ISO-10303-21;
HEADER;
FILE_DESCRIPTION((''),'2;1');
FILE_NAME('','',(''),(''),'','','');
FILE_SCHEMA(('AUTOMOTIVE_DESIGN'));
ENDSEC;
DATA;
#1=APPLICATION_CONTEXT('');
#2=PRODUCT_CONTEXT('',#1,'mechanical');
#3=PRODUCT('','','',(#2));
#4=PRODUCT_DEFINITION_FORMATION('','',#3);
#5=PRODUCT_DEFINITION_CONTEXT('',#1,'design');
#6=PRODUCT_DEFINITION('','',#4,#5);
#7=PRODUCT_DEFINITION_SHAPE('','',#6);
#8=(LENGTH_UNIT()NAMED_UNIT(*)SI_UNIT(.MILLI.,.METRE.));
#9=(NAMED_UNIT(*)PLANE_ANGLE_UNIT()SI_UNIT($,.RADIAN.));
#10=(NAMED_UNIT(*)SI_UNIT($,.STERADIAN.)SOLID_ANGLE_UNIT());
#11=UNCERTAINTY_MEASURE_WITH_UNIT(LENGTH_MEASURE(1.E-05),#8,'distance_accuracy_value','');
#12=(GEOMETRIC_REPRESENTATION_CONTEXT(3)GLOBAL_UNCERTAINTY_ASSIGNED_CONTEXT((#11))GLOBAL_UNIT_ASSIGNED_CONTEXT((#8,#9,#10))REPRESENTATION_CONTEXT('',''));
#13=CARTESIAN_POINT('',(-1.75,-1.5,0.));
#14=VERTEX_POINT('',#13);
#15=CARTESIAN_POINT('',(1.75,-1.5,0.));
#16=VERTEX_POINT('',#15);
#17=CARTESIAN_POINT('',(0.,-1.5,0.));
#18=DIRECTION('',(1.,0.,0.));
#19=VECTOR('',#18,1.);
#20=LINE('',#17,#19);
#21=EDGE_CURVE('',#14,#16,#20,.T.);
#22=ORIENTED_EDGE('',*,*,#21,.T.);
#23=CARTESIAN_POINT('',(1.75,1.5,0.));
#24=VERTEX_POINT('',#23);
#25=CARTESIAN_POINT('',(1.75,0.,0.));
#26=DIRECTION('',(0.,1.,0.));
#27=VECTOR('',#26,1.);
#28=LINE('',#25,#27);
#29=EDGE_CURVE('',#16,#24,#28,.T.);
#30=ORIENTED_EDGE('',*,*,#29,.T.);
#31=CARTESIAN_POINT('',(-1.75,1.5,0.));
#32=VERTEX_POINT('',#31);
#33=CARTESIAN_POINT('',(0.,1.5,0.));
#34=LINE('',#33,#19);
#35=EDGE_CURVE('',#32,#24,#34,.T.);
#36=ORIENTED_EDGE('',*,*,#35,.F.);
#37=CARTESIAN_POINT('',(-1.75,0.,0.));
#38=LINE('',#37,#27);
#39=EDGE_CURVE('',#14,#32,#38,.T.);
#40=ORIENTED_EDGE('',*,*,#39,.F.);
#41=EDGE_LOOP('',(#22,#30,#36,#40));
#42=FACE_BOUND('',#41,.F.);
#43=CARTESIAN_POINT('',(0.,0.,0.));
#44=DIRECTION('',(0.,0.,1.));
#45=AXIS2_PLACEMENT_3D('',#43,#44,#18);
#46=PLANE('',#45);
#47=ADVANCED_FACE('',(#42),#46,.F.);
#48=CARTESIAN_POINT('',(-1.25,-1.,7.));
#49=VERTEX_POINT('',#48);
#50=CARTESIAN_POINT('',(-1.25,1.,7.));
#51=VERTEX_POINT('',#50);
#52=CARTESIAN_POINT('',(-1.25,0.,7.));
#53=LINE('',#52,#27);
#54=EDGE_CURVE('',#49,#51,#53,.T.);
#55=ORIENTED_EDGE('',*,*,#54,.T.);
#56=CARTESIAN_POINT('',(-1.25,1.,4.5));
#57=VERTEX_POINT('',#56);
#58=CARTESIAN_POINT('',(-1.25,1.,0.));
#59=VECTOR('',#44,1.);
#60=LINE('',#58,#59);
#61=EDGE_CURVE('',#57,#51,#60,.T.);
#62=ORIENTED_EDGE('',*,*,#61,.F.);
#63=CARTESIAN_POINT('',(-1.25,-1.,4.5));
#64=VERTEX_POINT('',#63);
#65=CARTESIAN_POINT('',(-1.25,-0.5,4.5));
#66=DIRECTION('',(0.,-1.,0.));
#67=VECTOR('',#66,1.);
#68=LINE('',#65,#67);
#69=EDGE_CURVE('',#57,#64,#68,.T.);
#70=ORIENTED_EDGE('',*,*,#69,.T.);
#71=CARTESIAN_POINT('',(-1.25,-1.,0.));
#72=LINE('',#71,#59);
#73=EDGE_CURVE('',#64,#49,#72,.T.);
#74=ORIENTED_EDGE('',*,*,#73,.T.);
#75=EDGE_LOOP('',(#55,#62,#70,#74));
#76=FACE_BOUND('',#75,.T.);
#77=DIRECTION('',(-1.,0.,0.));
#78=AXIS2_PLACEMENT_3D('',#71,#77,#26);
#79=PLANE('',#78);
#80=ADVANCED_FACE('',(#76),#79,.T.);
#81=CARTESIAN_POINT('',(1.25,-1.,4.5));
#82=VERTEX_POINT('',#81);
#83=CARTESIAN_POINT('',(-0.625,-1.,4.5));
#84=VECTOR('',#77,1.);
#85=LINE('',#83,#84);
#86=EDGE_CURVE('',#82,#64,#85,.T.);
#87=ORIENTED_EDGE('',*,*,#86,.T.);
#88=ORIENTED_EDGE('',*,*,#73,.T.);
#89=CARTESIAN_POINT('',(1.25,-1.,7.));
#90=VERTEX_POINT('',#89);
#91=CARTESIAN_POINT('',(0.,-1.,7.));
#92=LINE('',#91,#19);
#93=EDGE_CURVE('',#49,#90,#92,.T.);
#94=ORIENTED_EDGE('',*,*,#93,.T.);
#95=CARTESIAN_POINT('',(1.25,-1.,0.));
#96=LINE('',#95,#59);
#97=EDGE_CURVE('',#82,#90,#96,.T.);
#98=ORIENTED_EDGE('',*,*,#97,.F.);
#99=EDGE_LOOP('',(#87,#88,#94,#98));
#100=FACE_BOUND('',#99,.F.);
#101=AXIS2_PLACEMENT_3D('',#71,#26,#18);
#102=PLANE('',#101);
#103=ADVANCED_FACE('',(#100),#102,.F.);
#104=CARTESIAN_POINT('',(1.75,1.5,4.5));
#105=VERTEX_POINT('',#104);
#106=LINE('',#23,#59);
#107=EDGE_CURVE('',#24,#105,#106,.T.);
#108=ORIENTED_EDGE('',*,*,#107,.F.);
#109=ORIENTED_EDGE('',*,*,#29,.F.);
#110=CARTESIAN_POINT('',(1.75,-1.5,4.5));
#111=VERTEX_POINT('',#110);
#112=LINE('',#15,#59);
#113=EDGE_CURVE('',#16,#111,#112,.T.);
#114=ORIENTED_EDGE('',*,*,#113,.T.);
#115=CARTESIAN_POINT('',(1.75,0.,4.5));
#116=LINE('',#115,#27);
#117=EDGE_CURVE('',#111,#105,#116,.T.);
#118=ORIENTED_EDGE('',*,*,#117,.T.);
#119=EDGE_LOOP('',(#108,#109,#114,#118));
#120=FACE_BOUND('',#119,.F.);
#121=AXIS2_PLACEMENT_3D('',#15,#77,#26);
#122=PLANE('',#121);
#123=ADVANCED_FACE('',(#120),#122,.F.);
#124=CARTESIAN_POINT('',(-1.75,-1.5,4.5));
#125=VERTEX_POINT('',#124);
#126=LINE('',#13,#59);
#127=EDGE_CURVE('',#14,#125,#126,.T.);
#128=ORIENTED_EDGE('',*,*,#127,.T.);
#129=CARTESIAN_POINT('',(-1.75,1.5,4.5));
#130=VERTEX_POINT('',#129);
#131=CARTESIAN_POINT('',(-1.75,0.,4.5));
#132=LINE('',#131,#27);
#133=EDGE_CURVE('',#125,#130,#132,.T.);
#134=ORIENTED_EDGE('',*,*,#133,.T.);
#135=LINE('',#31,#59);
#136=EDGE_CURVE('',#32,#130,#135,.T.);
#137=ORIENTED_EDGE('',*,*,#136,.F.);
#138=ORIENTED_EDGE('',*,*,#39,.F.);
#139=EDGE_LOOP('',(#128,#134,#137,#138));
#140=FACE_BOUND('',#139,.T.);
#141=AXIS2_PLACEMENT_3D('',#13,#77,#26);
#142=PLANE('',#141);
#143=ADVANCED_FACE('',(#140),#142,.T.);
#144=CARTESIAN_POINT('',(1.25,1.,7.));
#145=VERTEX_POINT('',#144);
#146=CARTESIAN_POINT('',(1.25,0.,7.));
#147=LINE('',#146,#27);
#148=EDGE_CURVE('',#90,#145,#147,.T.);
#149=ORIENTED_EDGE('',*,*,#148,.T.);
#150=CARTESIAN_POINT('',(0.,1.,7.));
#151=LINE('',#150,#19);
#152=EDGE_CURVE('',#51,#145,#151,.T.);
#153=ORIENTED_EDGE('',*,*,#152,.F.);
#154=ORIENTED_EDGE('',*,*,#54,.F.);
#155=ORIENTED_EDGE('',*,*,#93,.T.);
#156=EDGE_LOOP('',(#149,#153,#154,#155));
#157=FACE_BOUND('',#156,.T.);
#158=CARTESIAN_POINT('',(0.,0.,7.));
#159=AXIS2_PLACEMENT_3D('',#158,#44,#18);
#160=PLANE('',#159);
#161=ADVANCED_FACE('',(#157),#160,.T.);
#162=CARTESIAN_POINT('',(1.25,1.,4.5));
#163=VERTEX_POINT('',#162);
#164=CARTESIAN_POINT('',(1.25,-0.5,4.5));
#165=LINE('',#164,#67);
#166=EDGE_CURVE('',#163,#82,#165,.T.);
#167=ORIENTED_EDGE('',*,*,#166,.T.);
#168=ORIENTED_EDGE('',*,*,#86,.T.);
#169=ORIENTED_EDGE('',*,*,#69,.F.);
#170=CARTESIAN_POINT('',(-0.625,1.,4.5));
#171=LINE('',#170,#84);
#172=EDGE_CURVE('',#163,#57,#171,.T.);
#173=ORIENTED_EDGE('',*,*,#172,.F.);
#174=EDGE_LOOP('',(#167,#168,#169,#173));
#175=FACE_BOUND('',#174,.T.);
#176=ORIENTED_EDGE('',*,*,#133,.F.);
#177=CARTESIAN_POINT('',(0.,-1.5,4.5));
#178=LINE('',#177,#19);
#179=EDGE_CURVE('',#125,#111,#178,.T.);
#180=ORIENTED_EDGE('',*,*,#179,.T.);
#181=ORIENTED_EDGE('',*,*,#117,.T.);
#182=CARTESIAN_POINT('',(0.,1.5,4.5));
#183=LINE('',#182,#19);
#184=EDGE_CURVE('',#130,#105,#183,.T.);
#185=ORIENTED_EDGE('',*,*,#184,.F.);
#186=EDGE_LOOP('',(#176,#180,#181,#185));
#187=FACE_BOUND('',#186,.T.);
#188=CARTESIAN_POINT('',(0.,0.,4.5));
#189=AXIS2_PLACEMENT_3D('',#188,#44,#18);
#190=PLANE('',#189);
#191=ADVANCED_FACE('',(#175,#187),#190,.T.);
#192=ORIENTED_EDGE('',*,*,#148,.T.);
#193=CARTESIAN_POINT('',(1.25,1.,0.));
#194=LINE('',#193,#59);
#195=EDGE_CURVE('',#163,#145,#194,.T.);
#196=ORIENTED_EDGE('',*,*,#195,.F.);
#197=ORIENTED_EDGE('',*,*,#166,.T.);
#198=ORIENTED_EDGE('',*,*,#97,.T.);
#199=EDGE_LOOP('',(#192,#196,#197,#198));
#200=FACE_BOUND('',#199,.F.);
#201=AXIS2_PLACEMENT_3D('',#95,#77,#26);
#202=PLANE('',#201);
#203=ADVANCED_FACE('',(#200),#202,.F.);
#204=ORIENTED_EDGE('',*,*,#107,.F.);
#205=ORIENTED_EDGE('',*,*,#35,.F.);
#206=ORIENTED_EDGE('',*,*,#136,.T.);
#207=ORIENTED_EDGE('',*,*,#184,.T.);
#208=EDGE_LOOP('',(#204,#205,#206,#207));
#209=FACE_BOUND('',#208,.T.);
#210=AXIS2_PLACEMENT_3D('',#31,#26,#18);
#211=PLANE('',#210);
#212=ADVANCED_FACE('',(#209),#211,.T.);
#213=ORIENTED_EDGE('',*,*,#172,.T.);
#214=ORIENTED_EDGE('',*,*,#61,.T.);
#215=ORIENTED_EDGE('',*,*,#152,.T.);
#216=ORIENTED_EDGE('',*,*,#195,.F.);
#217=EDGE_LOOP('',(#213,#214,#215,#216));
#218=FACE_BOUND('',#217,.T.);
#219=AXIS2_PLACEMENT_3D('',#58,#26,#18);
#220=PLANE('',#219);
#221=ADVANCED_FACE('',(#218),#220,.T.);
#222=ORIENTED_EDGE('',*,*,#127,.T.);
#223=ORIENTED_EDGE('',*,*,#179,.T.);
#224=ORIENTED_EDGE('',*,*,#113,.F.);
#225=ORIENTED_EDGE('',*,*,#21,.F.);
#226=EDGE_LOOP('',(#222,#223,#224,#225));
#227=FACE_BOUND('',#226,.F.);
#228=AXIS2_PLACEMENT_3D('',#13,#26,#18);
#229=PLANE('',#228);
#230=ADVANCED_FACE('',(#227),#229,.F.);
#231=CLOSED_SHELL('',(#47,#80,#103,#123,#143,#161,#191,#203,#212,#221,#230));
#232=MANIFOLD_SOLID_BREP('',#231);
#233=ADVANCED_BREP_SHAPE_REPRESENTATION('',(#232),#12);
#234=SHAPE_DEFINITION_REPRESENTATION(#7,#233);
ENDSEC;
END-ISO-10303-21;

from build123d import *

# Parameters (mm, degrees)
F0_W     = 3.5
F0_H     = 3
F1_DEPTH = 4.5
F2_W     = 2.5
F2_H     = 2
F3_DEPTH = 7


with BuildPart() as f1:
    # F0 (on Top) → F1 (new body)
    with BuildSketch(Plane.XY):
        Rectangle(F0_W, F0_H)
    extrude(amount=F1_DEPTH)

    # F2 (on face) → F3 (join)
    with BuildSketch(Plane.XY):
        Rectangle(F2_W, F2_H)
    extrude(amount=F3_DEPTH)


solid = f1.part
